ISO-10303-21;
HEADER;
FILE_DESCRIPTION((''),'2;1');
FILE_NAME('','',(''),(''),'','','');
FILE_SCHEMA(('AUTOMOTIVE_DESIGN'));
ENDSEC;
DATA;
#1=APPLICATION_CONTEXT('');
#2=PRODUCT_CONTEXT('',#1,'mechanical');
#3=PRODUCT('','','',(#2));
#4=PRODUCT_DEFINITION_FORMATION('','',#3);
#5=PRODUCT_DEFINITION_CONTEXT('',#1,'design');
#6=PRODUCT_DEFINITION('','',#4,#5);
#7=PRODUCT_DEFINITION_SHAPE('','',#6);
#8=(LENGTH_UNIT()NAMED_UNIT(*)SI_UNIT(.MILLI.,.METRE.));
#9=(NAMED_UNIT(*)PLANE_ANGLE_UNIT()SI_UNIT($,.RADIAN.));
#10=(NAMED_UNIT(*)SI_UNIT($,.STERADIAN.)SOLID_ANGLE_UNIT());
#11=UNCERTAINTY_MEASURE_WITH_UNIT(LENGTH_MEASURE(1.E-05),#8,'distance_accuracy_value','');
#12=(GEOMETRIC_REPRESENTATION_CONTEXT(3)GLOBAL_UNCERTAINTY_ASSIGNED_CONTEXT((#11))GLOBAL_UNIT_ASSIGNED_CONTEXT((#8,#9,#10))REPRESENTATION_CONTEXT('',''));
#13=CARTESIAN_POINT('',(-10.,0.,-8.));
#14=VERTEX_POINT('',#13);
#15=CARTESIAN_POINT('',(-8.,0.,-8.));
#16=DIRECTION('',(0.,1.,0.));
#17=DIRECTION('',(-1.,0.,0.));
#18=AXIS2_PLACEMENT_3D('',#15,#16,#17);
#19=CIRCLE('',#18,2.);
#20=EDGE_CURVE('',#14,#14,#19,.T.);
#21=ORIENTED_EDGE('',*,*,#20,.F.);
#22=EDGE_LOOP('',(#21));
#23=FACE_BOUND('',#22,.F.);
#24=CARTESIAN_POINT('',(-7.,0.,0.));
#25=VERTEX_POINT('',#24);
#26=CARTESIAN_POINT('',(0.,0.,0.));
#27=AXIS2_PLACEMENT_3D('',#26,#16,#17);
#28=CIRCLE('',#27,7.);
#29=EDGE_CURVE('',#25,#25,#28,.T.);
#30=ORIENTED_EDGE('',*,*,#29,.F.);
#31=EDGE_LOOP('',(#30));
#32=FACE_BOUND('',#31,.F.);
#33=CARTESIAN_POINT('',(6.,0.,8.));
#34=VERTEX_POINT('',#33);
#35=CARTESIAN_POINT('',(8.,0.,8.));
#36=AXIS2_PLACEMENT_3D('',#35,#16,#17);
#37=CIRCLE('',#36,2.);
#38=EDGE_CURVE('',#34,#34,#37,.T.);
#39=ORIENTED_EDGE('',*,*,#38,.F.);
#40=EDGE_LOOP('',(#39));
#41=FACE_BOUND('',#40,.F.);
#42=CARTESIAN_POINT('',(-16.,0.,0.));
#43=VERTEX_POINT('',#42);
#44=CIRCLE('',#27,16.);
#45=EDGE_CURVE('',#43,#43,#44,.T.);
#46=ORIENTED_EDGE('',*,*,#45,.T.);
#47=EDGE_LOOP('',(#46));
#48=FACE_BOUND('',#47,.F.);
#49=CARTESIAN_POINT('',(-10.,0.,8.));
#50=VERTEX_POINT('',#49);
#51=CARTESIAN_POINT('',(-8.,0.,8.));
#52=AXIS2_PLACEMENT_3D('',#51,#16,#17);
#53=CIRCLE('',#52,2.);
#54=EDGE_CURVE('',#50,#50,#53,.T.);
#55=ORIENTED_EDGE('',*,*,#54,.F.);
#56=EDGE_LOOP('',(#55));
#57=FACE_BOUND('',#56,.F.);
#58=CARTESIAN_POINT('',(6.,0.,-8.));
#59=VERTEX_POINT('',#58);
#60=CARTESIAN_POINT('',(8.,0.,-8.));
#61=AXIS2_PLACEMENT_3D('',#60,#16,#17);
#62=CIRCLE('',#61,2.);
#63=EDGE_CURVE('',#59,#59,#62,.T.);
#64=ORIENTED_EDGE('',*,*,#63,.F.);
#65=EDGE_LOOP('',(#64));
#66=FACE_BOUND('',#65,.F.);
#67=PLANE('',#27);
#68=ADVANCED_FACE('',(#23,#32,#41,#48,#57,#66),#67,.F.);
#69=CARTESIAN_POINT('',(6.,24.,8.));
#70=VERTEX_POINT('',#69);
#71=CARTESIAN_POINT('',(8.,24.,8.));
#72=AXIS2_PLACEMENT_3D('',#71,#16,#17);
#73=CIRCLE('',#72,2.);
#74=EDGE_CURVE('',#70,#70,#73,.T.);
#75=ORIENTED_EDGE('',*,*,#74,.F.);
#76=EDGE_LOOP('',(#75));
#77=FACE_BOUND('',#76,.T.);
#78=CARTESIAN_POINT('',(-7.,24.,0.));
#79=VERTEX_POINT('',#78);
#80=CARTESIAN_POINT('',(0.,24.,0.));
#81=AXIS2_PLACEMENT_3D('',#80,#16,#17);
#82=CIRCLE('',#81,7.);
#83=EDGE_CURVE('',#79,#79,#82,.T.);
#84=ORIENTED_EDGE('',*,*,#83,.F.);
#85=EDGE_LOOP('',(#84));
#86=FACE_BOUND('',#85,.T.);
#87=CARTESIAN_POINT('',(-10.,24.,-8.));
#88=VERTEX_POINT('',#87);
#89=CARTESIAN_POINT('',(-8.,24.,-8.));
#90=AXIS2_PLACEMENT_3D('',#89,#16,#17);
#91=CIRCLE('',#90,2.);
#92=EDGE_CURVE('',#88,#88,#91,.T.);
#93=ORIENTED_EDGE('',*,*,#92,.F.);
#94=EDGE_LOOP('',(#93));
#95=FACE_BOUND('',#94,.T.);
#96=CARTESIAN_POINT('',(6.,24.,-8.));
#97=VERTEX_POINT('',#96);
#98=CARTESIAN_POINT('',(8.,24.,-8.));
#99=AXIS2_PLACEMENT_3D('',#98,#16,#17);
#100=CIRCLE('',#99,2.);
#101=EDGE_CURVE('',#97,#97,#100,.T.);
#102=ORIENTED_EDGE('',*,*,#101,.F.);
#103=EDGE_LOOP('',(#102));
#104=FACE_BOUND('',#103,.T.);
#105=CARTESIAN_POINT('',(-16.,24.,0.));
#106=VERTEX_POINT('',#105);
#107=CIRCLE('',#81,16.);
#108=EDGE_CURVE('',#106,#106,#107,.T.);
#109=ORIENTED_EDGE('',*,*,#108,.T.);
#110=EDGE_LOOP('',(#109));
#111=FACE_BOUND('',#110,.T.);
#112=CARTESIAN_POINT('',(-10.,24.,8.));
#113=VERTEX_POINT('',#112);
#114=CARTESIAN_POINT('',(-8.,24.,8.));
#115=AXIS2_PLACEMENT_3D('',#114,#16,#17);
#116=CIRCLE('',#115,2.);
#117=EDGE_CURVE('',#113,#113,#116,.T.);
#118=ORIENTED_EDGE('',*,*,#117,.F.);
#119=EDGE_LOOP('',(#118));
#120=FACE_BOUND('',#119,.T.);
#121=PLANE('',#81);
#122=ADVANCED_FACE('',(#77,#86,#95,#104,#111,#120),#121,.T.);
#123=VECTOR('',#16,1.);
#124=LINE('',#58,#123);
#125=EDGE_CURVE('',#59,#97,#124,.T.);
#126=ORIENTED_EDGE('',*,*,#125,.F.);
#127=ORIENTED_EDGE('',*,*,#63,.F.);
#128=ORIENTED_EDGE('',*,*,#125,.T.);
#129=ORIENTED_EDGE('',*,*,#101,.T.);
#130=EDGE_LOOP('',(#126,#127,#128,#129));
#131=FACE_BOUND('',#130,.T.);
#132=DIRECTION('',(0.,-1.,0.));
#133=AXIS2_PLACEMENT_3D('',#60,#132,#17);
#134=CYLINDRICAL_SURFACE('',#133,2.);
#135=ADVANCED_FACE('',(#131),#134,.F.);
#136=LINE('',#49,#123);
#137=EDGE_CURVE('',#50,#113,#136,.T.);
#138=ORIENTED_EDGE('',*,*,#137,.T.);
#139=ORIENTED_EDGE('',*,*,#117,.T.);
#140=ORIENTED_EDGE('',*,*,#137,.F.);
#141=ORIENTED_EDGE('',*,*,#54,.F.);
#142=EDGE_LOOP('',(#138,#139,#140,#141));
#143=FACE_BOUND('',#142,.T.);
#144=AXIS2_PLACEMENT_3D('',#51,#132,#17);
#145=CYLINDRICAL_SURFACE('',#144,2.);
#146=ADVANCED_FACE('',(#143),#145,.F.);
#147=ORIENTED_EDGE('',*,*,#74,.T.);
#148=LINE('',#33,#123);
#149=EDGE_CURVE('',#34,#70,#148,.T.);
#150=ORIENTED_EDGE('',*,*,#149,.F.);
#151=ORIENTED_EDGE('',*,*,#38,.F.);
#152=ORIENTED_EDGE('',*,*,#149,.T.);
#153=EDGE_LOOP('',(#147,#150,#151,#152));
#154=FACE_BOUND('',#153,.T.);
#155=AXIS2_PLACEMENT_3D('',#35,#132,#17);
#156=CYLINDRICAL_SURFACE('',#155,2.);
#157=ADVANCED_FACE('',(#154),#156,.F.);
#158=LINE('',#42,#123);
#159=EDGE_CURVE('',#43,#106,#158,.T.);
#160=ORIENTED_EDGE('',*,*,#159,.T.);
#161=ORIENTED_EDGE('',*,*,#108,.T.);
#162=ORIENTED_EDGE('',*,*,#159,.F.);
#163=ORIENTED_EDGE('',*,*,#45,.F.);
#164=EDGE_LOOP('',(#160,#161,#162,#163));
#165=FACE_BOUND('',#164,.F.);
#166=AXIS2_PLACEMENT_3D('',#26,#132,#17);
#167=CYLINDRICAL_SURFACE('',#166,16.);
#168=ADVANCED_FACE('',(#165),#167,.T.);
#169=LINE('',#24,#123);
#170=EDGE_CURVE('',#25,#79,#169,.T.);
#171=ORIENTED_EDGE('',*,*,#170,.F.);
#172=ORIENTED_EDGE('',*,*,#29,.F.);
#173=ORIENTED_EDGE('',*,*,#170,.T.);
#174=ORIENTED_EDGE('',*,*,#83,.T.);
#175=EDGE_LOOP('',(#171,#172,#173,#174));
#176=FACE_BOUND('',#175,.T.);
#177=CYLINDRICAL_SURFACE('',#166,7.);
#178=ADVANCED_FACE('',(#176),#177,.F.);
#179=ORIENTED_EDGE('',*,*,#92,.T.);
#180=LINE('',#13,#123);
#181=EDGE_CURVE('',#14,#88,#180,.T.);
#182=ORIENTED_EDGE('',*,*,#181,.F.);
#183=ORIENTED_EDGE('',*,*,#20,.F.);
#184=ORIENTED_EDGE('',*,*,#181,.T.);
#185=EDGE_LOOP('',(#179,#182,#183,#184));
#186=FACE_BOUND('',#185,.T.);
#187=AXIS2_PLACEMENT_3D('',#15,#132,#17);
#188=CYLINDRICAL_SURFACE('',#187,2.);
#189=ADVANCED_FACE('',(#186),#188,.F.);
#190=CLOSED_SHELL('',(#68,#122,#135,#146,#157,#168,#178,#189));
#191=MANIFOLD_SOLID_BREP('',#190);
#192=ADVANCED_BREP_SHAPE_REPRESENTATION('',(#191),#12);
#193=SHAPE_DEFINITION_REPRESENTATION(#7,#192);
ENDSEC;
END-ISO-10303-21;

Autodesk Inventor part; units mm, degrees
ref_plane "YZ Plane" through (0, 0, 0) normal (1, 0, 0) x (0, 1, 0)
ref_plane "XZ Plane" through (0, 0, 0) normal (0, 1, 0) x (-1, 0, 0)
ref_plane "XY Plane" through (0, 0, 0) normal (0, 0, 1) x (1, 0, 0)
sketch "Sketch1" plane through (0, 0, 0) normal (0, 1, 0) x (-1, 0, 0)
  circle A0 centre (0, 0) radius 7
  circle A1 centre (0, 0) radius 16
  circle A2 centre (8, 8) radius 2
  circle A3 centre (-8, 8) radius 2
  circle A4 centre (-8, -8) radius 2
  circle A5 centre (8, -8) radius 2
  dimension "d0" = 14
  dimension "d1" = 32
  dimension "d4" = 4
  dimension "d5" = 8
  dimension "d6" = 8
  dimension "d9" = 360
extrude "Extrusion1" add sketch "Sketch1" along normal blind 24
properties part number "MotorPulleySpacer"
